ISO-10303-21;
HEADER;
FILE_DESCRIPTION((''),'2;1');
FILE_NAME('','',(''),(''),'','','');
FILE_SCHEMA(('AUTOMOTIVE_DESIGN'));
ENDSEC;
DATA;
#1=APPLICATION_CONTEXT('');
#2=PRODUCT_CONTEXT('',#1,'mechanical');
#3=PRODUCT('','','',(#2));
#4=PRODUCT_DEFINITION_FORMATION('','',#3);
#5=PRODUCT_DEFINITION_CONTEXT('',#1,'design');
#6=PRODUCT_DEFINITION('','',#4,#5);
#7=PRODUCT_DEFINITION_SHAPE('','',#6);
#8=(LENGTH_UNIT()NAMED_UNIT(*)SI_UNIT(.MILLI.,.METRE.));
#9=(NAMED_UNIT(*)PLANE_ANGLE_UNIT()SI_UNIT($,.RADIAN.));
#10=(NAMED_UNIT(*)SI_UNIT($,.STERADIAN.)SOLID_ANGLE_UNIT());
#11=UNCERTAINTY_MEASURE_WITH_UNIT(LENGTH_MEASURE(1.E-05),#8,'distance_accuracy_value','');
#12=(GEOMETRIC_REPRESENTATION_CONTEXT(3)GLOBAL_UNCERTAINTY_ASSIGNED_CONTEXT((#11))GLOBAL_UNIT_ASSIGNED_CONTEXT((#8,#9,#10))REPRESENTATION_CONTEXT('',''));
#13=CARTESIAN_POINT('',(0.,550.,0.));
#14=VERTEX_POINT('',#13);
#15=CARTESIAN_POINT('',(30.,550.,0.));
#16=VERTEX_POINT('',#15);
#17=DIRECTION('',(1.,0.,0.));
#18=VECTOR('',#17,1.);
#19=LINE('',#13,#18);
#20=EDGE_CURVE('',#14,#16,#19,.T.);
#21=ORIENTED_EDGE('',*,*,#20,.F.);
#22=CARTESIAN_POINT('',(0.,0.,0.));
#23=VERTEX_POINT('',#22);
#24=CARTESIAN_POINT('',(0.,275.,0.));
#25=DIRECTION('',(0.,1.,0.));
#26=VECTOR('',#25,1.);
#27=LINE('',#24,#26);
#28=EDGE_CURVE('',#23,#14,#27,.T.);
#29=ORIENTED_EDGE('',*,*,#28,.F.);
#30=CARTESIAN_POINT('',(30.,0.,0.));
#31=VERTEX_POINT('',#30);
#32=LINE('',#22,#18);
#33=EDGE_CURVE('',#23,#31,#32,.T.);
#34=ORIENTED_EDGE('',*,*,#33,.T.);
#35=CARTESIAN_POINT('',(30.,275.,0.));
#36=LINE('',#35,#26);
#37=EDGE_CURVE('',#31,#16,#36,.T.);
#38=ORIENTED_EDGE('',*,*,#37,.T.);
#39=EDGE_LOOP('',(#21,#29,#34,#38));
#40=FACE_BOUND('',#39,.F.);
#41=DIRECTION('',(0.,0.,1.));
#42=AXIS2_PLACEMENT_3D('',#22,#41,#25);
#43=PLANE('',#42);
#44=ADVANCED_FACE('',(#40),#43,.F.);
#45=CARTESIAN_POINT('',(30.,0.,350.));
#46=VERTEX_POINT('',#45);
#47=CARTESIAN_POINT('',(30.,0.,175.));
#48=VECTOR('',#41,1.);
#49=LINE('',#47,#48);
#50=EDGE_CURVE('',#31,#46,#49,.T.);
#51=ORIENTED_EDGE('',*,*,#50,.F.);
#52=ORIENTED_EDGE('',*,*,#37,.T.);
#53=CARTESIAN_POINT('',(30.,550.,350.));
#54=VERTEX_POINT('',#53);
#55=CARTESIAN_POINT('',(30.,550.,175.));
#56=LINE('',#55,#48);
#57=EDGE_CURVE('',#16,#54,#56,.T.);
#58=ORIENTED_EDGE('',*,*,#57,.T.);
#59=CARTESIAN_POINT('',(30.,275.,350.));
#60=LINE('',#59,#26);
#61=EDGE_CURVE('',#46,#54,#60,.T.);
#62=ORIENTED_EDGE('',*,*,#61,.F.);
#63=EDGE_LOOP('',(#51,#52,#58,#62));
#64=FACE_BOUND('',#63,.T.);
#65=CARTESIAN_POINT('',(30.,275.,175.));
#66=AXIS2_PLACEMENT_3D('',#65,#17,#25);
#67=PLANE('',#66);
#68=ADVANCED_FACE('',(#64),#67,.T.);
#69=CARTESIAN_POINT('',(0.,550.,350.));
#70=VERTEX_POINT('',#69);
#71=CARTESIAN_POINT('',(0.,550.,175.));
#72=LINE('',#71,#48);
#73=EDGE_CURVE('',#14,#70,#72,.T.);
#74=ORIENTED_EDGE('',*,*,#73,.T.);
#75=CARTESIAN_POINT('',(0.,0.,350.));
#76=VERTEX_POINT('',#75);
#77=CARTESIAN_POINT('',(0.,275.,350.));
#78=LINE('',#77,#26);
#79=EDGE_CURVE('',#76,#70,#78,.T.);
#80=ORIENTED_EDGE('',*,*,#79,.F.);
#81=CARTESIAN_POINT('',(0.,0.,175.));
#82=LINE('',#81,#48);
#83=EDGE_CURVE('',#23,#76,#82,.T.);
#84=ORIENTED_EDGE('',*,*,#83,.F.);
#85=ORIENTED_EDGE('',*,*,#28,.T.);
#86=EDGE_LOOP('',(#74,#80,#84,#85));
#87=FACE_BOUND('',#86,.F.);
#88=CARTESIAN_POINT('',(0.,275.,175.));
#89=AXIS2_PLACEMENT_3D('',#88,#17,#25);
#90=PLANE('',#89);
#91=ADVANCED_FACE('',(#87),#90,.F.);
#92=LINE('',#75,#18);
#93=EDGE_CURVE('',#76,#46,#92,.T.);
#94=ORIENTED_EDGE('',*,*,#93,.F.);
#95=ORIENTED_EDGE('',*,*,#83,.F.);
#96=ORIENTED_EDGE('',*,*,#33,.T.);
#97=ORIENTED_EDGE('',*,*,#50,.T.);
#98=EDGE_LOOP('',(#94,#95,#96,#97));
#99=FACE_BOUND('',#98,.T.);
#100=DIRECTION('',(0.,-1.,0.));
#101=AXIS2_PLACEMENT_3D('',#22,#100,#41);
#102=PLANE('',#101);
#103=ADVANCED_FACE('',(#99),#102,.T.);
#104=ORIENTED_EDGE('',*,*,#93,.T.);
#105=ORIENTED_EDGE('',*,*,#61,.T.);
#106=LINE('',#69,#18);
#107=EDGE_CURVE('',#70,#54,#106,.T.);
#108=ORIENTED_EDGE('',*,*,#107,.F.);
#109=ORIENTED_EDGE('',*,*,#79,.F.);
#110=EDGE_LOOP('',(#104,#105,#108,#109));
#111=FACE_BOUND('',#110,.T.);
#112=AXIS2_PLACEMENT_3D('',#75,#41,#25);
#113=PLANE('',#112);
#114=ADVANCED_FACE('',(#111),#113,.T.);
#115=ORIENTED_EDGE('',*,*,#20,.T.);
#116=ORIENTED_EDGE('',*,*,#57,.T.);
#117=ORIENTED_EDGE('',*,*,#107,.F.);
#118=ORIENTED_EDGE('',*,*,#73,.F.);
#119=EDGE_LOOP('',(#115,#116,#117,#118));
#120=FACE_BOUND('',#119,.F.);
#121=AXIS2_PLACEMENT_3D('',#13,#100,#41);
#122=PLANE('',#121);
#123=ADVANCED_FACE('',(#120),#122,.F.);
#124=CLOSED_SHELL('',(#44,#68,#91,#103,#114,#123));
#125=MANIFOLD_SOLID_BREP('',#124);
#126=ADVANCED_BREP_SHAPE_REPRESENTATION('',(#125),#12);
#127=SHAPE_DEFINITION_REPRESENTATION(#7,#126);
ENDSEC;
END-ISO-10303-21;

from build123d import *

# Parameters (mm, degrees)
SKETCH_W  = 550
SKETCH_H  = 350
PAD_DEPTH = 30


with BuildPart() as part:
    # Sketch → Pad (new body)
    with BuildSketch(Plane.YZ):
        with Locations((275, 175)):
            Rectangle(SKETCH_W, SKETCH_H)
    extrude(amount=PAD_DEPTH)


solid = part.part
